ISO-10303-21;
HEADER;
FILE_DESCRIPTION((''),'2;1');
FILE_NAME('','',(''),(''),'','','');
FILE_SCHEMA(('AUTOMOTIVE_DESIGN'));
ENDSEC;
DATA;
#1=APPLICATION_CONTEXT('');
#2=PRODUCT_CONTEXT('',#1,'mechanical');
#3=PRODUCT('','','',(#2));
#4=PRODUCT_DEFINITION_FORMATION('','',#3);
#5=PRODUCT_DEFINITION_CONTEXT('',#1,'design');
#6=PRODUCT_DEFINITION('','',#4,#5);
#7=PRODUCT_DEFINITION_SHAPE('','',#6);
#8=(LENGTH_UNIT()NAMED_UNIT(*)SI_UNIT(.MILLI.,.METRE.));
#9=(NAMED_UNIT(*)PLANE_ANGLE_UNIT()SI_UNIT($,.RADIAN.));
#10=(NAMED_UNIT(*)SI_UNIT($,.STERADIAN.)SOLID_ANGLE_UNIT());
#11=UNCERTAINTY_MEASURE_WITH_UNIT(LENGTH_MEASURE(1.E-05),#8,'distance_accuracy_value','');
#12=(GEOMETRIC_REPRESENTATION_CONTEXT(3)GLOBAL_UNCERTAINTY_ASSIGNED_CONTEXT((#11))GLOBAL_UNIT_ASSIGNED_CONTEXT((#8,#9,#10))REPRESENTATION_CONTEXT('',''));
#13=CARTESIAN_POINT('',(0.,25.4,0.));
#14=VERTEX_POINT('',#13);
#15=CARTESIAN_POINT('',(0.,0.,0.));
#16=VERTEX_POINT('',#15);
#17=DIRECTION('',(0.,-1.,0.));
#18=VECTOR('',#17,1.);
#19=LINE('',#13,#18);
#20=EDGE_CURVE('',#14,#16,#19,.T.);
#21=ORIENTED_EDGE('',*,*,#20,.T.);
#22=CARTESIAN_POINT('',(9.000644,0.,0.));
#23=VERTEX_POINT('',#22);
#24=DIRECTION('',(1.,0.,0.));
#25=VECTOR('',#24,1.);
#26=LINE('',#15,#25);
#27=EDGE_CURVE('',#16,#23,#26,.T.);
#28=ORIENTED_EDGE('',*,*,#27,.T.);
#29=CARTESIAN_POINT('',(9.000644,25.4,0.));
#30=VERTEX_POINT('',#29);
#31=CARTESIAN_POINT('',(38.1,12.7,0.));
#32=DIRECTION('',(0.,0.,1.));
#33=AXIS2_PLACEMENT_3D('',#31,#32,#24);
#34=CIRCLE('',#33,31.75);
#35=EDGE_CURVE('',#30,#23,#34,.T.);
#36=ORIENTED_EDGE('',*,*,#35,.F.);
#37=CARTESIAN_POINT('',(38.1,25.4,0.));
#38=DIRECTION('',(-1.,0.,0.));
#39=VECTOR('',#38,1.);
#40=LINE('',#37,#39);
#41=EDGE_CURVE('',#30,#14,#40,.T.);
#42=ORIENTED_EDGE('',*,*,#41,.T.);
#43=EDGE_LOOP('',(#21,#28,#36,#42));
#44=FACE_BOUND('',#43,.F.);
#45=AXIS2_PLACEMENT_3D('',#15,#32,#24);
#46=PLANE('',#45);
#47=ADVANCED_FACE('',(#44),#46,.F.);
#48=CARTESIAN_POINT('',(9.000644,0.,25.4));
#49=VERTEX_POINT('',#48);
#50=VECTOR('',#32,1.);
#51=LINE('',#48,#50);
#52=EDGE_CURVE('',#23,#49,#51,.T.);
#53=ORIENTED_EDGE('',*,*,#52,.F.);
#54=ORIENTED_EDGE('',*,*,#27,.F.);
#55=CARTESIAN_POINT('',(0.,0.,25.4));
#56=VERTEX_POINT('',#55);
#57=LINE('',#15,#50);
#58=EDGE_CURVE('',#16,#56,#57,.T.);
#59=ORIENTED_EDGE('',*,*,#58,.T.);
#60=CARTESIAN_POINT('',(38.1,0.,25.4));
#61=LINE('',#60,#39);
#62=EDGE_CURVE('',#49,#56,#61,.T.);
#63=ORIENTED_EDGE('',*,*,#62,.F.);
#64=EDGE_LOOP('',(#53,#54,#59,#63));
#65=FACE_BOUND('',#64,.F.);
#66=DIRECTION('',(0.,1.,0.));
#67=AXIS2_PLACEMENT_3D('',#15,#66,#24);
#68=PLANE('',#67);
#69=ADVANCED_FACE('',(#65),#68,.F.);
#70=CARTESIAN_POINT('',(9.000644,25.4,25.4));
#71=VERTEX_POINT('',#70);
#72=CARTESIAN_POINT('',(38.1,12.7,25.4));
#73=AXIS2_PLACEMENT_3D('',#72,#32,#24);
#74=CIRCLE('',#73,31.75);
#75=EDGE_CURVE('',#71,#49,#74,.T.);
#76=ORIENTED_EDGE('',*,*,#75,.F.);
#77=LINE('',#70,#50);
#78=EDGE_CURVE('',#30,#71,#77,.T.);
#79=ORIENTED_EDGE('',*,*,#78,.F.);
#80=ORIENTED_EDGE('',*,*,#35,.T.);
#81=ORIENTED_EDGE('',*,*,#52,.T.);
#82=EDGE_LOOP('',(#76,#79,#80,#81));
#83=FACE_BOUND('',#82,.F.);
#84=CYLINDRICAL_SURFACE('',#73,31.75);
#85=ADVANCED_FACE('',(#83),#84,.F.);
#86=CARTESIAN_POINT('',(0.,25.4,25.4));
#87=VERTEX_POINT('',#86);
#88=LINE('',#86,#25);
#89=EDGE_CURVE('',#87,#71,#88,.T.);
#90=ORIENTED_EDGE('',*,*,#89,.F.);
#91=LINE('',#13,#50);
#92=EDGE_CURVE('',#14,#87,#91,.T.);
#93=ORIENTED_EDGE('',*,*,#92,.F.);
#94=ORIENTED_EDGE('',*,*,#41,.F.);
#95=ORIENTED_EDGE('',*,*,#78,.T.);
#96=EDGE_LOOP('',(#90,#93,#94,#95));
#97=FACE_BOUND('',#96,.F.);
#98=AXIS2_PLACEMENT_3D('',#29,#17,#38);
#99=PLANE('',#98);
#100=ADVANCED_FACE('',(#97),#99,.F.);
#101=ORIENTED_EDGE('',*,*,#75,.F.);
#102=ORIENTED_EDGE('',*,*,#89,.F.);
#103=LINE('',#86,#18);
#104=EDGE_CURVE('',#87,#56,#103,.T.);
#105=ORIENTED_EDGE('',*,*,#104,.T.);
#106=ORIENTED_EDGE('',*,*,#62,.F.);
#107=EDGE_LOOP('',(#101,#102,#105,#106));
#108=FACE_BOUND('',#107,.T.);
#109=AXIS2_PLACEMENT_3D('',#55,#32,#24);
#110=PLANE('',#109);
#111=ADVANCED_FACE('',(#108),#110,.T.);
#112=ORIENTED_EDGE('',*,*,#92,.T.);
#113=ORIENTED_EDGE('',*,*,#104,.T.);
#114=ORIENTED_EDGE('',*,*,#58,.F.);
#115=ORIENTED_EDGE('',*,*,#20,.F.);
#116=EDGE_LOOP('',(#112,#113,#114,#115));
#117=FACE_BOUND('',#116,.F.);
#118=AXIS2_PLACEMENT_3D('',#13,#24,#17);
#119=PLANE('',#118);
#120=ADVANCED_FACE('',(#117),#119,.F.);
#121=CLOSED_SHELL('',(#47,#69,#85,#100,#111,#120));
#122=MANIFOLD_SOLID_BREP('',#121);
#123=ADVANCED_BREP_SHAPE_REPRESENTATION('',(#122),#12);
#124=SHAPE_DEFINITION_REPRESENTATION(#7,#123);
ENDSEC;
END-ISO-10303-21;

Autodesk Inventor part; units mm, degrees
ref_plane "YZ Plane" through (0, 0, 0) normal (1, 0, 0) x (0, 1, 0)
ref_plane "XZ Plane" through (0, 0, 0) normal (0, 1, 0) x (-1, 0, 0)
ref_plane "XY Plane" through (0, 0, 0) normal (0, 0, 1) x (1, 0, 0)
sketch "Sketch1" plane through (0, 0, 0) normal (0, 0, 1) x (1, 0, 0)
  line L0 (0, 0) -> (38.1, 0)
  line L1 (38.1, 0) -> (38.1, 25.4)
  line L2 (38.1, 25.4) -> (0, 25.4)
  line L3 (0, 25.4) -> (0, 0)
  line L4 (38.1, 12.7) -> (6.35, 12.7) construction
  circle A0 centre (38.1, 12.7) radius 31.75
  dimension "d0" = 38.1
  dimension "d1" = 25.4
  dimension "d2" = 31.75
extrude "Extrusion1" add sketch "Sketch1" along normal blind 25.4 contours L3 L2 A0 L0 | A0 L2 L1 L0 picked at (27.5167, 12.7)
sketch "Sketch2" plane through (0, 0, 25.4) normal (0, 0, 1) x (1, 0, 0)
  line L0 (38.1, 0) -> (38.1, 25.4) construction
  line L1 (38.1, 12.7) -> (6.35, 12.7) construction
  circle A0 centre (38.1, 12.7) radius 31.75
  point P0 (0, 0)
  dimension "d5" = 31.75
extrude "Extrusion2" cut sketch "Sketch2" against normal blind 25.4
properties part number "Air Cylinder Wood Mounting Block"
